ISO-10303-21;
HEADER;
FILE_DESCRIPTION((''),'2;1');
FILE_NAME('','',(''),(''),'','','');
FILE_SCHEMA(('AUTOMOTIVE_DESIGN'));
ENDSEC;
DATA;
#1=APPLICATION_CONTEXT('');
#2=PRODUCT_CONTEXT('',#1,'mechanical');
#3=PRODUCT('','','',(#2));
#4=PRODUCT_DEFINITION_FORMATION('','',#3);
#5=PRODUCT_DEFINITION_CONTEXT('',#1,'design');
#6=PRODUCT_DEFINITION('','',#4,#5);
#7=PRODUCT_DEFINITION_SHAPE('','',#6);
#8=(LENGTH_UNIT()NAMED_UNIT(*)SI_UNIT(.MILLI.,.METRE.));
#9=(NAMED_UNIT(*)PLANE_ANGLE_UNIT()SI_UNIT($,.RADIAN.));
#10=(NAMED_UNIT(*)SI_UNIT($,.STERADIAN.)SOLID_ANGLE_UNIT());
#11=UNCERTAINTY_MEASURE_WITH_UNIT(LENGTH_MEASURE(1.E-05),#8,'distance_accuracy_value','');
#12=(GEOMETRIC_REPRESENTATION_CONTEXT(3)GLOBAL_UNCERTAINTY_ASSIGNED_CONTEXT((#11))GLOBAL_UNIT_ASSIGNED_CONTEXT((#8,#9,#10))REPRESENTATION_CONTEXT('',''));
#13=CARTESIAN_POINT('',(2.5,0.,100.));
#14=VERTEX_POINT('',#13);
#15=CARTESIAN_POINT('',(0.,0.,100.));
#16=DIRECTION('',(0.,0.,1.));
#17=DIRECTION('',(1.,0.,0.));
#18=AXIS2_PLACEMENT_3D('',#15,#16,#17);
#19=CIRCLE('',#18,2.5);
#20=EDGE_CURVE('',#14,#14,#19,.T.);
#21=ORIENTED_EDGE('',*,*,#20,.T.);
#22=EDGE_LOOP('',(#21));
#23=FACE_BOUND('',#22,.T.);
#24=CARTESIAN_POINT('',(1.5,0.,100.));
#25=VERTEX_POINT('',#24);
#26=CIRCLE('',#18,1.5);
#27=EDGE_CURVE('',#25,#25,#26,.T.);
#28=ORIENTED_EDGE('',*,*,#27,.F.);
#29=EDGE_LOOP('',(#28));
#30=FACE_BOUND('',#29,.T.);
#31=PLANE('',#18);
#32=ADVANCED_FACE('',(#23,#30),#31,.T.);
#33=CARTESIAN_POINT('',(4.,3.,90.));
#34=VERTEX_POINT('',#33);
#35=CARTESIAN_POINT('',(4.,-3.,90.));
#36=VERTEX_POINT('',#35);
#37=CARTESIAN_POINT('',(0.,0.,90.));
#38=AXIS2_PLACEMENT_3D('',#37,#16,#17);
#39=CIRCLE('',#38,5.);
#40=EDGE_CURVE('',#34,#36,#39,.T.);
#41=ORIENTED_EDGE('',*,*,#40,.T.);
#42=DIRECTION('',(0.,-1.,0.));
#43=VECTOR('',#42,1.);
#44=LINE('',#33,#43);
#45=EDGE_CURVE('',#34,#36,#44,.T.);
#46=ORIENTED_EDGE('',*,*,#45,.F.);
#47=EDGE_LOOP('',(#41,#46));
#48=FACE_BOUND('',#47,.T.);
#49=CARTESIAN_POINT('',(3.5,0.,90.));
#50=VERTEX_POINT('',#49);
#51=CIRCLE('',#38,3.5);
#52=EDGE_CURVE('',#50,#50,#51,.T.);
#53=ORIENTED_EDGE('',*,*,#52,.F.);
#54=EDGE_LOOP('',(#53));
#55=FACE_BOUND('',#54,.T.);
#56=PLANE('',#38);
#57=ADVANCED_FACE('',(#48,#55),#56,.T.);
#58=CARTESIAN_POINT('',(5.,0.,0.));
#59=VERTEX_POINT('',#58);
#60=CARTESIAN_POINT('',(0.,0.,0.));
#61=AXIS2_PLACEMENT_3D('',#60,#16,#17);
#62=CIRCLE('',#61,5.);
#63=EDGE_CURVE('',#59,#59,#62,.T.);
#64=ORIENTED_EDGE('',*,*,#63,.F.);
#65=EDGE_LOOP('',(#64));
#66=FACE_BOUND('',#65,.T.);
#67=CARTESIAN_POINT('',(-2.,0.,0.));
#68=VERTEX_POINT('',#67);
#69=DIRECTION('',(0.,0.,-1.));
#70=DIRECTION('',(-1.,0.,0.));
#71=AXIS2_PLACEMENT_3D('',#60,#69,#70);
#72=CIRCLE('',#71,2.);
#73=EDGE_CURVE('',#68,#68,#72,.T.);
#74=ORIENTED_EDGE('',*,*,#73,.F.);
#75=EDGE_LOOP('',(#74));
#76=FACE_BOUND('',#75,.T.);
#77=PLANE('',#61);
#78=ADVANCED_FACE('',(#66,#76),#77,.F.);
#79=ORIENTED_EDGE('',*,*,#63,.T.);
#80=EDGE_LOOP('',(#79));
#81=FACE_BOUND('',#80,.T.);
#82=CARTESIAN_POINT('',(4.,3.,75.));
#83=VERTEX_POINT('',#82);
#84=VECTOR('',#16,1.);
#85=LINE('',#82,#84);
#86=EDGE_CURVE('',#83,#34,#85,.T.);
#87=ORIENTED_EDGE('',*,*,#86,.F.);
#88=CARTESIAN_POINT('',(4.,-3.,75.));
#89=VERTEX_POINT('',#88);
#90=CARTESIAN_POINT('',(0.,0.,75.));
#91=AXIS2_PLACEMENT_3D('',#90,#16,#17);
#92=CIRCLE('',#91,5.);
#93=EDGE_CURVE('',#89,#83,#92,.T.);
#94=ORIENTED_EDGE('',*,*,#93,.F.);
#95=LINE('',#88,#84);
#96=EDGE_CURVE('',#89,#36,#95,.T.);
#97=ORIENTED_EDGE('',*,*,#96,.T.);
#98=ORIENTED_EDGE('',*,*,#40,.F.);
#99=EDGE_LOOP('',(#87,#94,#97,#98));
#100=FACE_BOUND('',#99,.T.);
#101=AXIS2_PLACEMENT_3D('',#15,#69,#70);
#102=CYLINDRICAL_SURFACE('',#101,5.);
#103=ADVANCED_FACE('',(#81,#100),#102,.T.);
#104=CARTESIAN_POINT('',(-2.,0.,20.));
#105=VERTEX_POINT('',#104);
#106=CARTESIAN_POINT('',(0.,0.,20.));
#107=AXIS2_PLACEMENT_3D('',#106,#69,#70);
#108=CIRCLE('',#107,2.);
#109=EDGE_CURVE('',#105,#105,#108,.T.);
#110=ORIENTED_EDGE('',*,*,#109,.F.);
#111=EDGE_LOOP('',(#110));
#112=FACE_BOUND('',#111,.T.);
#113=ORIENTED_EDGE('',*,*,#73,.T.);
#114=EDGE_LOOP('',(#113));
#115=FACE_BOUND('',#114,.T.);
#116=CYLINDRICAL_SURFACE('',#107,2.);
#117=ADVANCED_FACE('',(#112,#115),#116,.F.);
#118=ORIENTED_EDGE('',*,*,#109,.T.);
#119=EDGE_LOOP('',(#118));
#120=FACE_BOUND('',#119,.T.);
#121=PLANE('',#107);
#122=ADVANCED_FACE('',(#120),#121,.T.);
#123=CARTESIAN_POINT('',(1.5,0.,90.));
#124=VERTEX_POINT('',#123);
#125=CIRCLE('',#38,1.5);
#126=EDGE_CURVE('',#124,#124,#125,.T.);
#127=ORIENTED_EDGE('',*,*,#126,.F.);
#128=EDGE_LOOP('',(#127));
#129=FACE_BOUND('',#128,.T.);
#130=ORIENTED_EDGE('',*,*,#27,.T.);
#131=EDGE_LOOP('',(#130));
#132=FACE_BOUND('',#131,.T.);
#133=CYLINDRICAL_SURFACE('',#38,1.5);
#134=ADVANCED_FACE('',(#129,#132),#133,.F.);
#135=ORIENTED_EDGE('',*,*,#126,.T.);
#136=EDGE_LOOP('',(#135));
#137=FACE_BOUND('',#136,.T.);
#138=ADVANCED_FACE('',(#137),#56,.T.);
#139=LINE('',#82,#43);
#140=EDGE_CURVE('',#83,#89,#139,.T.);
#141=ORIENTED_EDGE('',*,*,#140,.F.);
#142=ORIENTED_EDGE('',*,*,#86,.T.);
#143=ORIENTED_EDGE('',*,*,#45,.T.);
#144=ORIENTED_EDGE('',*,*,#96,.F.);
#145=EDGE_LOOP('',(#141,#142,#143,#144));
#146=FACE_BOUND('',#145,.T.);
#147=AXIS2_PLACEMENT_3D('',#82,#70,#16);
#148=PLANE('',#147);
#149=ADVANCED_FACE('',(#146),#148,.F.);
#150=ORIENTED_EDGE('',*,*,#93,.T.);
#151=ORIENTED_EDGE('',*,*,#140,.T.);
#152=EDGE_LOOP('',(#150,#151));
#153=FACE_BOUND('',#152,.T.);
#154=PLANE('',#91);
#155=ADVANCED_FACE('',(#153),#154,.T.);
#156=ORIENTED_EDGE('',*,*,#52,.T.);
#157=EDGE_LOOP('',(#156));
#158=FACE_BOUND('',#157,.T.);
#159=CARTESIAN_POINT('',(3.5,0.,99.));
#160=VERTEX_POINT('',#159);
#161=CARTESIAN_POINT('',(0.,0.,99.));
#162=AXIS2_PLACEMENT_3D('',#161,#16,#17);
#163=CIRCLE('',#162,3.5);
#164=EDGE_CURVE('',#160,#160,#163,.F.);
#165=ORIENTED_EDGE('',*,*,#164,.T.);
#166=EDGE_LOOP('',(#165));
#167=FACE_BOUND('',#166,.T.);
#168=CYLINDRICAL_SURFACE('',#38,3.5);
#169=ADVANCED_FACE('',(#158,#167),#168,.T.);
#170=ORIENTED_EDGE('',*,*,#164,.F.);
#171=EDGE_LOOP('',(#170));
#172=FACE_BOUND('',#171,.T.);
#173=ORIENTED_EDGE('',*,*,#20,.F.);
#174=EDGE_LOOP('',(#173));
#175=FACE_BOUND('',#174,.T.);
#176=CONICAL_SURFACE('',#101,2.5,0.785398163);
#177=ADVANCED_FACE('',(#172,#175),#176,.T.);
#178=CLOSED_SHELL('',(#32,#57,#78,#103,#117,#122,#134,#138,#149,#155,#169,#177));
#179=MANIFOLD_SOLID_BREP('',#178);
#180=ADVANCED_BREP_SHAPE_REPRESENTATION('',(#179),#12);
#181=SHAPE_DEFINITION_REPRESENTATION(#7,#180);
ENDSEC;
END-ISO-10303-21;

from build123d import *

# Parameters (mm, degrees)
SKETCH1_R          = 5
BASE_EXTRUDE_DEPTH = 100
SKETCH5_OUTSIDE_W  = 32.2
SKETCH5_OUTSIDE_H  = 32.2
SKETCH5_OUTSIDE_R  = 3.5
FRONT_CUT_DEPTH    = 10
SKETCH2_R          = 1.5
FRONT_HOLE_DEPTH   = 10
CHAMFER1_SIZE      = 1
KEYWAY_CUT_DEPTH   = 15
SKETCH4_R          = 2
BACK_HOLE_DEPTH    = 20


with BuildPart() as part:
    # Sketch1 → Base Extrude (new body)
    with BuildSketch(Plane.XY):
        Circle(SKETCH1_R)
    extrude(amount=BASE_EXTRUDE_DEPTH)

    # Sketch5 outside → Front Cut (cut)
    with BuildSketch(Plane.XY.offset(100)):
        Rectangle(SKETCH5_OUTSIDE_W, SKETCH5_OUTSIDE_H)
        Circle(SKETCH5_OUTSIDE_R, mode=Mode.SUBTRACT)
    extrude(amount=-FRONT_CUT_DEPTH, mode=Mode.SUBTRACT)

    # Sketch2 → Front Hole (cut)
    with BuildSketch(Plane.XY.offset(100)):
        Circle(SKETCH2_R)
    extrude(amount=-FRONT_HOLE_DEPTH, mode=Mode.SUBTRACT)

    # Chamfer1
    chamfer1_edges = [part.edges().sort_by_distance(p)[0] for p in [
        (-3.5, 0, 100),
    ]]
    chamfer(chamfer1_edges, length=CHAMFER1_SIZE)

    # Sketch3 → Keyway Cut (cut)
    with BuildSketch(Plane.XY.offset(90)):
        with BuildLine():
            Line((4, 3), (4, -3))
            ThreePointArc((4, -3), (5, 0), (4, 3))
        make_face()
    extrude(amount=-KEYWAY_CUT_DEPTH, mode=Mode.SUBTRACT)

    # Sketch4 → Back Hole (cut)
    with BuildSketch(Plane(origin=(0, 0, 0), x_dir=(-1, 0, 0), z_dir=(0, 0, -1))):
        Circle(SKETCH4_R)
    extrude(amount=-BACK_HOLE_DEPTH, mode=Mode.SUBTRACT)


solid = part.part
